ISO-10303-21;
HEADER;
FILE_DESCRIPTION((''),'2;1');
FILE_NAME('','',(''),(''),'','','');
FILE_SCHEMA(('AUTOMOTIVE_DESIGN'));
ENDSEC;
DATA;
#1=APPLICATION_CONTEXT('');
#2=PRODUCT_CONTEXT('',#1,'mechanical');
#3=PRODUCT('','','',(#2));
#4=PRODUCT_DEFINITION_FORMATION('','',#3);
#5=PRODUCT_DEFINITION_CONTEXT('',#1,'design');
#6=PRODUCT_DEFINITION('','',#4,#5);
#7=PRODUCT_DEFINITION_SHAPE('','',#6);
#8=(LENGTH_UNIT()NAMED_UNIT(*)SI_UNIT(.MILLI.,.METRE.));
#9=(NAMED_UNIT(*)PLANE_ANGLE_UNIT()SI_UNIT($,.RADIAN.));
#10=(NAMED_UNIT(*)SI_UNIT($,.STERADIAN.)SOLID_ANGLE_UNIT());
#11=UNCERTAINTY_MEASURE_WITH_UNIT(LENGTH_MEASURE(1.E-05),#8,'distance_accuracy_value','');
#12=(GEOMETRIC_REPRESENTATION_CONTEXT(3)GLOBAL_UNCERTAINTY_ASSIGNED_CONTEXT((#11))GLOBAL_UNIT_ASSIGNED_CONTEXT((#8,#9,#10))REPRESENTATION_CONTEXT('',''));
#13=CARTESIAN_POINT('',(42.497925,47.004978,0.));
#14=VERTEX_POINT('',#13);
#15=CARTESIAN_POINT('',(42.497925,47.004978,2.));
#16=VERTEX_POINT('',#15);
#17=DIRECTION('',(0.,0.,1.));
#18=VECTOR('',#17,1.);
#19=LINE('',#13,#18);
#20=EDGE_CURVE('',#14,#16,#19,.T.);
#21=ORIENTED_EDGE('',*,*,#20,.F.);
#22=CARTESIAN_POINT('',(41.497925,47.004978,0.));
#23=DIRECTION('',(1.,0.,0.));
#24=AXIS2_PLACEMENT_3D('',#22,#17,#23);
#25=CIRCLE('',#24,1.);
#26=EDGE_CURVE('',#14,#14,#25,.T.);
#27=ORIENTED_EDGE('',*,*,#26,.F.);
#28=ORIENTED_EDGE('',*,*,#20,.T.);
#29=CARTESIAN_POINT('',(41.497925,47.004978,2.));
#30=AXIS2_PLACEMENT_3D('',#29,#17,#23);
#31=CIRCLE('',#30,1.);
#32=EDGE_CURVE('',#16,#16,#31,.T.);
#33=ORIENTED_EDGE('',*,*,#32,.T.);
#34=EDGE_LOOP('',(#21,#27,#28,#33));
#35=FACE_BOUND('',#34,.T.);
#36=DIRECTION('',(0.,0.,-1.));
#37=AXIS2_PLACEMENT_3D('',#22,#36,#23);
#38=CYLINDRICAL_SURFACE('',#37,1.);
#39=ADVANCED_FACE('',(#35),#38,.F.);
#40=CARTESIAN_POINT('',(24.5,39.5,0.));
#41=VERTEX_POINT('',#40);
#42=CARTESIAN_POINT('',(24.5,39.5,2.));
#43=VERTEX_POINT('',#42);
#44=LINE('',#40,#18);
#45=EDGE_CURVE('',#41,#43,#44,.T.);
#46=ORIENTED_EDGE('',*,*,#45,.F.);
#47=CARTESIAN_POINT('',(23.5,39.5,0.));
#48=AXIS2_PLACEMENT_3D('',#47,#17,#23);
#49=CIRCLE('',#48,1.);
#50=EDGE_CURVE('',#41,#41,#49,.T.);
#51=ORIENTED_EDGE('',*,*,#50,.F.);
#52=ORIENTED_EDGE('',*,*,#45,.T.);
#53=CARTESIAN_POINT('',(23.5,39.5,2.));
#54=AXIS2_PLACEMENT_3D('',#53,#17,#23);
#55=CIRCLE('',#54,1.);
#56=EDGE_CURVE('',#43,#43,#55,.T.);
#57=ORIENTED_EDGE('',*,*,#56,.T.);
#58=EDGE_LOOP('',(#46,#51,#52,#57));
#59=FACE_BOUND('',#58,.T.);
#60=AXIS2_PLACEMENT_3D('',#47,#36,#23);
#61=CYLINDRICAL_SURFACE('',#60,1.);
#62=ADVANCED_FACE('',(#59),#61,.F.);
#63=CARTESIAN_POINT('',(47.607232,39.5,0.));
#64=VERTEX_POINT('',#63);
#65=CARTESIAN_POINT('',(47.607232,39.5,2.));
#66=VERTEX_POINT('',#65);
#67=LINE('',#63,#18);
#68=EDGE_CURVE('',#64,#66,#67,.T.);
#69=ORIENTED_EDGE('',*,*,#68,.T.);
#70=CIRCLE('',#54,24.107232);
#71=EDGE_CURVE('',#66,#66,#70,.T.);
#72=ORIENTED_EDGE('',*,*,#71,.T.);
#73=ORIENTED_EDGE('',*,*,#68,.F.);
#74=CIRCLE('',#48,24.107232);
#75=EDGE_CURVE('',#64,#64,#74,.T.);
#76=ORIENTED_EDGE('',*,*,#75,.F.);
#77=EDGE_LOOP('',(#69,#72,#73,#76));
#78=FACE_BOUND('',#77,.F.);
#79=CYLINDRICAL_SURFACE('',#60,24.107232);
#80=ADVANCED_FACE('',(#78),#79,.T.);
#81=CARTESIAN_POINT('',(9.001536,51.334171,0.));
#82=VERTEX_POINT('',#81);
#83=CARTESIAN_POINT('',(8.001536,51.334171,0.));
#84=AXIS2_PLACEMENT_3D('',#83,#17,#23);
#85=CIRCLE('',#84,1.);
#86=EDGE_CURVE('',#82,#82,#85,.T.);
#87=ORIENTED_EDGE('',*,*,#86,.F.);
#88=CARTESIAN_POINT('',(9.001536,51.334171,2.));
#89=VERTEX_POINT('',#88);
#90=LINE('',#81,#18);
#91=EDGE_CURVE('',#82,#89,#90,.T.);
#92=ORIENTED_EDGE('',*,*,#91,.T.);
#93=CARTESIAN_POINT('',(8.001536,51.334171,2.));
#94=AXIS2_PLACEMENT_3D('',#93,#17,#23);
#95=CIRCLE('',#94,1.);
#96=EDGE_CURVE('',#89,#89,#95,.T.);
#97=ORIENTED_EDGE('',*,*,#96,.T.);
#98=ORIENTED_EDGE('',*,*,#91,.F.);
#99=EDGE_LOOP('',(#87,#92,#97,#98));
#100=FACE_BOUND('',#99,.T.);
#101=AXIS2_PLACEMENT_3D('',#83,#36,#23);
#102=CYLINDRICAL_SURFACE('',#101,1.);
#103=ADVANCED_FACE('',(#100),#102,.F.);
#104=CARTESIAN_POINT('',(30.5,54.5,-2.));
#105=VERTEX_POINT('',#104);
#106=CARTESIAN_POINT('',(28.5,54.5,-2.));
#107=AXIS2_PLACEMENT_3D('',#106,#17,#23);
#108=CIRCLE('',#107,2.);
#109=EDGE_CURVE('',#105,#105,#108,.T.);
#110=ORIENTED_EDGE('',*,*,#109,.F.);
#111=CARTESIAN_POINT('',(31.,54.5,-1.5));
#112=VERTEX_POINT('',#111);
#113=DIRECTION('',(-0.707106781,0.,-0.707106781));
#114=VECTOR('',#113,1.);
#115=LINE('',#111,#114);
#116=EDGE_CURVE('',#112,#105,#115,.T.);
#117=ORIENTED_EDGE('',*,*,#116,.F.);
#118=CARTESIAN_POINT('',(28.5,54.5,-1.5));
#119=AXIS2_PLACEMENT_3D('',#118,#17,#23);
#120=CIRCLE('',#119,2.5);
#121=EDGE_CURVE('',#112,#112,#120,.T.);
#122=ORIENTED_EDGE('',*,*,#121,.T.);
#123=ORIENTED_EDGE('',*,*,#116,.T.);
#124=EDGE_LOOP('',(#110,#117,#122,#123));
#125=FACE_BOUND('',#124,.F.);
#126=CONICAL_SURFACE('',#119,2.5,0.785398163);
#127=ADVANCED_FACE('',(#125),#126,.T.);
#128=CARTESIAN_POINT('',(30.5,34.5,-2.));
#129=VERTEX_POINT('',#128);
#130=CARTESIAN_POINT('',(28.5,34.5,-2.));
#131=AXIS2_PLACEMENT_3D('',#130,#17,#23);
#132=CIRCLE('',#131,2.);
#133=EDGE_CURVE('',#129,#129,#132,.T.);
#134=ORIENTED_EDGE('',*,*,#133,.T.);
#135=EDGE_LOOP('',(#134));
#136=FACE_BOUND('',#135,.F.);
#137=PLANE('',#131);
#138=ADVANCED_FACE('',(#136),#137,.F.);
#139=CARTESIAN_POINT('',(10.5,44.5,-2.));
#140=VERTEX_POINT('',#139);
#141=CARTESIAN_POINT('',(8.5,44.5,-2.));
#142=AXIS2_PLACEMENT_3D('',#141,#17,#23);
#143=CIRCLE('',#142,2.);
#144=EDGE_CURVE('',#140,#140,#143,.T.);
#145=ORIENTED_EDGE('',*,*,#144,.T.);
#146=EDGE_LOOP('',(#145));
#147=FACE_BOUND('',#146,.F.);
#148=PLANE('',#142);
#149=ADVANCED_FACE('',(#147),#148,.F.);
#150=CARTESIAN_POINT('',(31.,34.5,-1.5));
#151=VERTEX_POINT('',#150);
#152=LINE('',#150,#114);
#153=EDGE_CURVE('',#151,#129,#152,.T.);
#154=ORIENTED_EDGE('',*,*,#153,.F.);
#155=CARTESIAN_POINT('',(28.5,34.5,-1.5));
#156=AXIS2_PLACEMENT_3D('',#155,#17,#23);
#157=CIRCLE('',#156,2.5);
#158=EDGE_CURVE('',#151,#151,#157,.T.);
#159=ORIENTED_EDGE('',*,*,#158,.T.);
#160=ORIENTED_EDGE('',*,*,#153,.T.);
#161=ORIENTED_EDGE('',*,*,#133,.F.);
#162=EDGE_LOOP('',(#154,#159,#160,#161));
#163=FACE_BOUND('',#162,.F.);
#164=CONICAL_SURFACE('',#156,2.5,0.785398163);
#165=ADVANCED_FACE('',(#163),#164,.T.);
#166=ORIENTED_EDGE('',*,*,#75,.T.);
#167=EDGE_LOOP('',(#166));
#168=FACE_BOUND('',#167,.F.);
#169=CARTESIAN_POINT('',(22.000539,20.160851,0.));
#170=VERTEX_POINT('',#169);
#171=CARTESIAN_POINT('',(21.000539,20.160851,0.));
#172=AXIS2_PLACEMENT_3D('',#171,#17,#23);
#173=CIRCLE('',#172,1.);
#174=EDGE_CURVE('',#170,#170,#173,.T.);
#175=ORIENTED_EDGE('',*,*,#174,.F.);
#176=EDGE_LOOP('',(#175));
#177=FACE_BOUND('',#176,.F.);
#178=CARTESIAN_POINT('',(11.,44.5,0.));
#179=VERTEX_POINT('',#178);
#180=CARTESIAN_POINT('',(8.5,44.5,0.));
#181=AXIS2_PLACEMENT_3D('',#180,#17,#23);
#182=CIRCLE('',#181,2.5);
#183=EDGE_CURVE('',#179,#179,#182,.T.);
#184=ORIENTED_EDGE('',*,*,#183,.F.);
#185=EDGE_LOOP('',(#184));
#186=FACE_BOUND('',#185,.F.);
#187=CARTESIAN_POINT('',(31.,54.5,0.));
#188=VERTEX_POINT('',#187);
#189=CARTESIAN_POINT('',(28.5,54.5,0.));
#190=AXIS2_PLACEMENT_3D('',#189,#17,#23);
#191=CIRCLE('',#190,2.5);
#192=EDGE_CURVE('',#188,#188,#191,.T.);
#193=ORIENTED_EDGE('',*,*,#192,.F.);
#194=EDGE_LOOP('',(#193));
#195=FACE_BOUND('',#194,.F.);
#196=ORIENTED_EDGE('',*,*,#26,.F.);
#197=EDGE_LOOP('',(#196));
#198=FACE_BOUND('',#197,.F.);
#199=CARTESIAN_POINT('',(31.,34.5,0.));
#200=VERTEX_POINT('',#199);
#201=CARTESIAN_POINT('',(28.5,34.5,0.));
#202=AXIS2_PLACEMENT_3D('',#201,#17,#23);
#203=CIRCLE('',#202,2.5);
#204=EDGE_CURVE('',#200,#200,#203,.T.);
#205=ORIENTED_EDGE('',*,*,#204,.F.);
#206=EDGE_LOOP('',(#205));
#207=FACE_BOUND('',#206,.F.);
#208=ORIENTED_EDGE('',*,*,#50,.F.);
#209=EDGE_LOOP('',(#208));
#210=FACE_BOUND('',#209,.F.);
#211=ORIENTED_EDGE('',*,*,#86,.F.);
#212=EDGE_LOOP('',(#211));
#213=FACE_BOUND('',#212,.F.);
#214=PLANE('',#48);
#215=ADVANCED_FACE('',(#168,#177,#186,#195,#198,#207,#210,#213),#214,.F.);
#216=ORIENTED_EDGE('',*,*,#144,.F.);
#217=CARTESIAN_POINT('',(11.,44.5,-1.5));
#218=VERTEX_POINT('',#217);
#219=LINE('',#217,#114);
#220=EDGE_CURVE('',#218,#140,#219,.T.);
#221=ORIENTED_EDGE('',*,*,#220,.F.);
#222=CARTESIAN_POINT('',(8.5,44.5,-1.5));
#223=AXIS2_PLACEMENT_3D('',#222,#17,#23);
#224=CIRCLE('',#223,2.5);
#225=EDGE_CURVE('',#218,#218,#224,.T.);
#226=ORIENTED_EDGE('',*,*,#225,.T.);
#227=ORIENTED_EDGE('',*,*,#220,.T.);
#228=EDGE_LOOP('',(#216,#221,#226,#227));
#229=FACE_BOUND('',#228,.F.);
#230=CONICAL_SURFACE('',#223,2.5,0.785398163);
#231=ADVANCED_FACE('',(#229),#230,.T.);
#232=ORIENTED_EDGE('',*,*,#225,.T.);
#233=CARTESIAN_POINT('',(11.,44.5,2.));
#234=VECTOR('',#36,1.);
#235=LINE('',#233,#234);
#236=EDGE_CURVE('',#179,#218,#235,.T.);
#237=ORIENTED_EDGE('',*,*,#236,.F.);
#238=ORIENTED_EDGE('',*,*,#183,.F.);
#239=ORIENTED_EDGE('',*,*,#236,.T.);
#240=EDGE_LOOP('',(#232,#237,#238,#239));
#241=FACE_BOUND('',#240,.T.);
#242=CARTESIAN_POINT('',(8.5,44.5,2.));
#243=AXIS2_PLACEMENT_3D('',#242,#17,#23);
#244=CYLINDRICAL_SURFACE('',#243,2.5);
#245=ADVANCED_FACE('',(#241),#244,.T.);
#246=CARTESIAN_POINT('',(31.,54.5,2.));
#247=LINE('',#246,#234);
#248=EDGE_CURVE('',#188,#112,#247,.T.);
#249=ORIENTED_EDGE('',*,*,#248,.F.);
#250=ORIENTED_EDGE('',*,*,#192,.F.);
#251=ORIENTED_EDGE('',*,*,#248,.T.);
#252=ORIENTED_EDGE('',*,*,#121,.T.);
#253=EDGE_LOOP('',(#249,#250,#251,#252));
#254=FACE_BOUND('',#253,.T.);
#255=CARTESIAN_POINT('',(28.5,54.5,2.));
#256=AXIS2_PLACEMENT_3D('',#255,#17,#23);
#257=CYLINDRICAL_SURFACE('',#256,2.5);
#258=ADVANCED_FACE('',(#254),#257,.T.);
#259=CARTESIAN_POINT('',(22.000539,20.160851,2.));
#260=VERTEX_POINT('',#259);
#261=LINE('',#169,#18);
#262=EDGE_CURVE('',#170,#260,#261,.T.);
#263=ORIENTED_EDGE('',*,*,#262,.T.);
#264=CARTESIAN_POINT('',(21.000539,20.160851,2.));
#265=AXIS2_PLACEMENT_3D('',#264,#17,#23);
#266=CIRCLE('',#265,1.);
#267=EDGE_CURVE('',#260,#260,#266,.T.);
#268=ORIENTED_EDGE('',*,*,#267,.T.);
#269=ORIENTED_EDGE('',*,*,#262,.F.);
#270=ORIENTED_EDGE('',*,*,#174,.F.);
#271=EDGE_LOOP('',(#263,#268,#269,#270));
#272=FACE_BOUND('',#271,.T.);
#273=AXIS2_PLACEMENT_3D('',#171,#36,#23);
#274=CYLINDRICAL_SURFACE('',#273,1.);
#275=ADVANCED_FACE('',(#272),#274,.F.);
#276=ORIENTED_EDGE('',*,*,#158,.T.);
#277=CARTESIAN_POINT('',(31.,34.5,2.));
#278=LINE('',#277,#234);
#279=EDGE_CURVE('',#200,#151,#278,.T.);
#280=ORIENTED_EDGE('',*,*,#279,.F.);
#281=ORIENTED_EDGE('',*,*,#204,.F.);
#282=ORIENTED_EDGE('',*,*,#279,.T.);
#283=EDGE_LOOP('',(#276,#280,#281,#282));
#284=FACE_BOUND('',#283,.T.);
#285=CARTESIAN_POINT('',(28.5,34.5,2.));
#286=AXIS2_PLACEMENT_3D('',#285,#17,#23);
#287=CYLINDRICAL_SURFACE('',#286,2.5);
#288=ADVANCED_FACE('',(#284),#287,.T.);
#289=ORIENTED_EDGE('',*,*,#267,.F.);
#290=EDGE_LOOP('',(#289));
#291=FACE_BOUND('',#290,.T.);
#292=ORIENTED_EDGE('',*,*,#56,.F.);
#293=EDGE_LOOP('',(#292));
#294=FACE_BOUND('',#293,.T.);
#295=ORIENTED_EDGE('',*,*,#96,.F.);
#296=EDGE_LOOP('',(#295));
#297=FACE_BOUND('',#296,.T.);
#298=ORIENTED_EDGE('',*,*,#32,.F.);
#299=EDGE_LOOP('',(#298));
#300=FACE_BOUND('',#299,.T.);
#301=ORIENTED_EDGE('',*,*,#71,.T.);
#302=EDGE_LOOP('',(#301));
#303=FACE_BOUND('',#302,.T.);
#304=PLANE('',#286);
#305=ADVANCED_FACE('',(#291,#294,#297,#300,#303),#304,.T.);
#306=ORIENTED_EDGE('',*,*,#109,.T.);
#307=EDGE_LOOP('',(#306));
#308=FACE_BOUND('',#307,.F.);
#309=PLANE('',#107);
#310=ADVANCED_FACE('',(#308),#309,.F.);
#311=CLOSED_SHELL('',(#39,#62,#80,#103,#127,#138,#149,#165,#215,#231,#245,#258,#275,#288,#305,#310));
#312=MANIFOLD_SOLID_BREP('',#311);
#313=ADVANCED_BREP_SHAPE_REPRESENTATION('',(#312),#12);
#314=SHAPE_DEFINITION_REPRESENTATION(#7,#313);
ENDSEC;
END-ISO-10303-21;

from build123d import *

# Parameters (mm, degrees)
SKETCH_R     = 24.107232
SKETCH_R_2   = 1
PAD_DEPTH    = 2
SKETCH001_R  = 2.5
PAD001_DEPTH = 4
CHAMFER_SIZE = 0.5


with BuildPart() as part:
    # Sketch → Pad (new body)
    with BuildSketch(Plane.XY):
        with Locations((23.5, 39.5)):
            Circle(SKETCH_R)
        with Locations((41.497925, 47.004978)):
            Circle(SKETCH_R_2, mode=Mode.SUBTRACT)
        with Locations((8.001536, 51.334171)):
            Circle(SKETCH_R_2, mode=Mode.SUBTRACT)
        with Locations((21.000539, 20.160851)):
            Circle(SKETCH_R_2, mode=Mode.SUBTRACT)
        with Locations((23.5, 39.5)):
            Circle(SKETCH_R_2, mode=Mode.SUBTRACT)
    extrude(amount=PAD_DEPTH)

    # Sketch001 (on Face7 of Pad) → Pad001 (join)
    with BuildSketch(Plane.XY.offset(2)):
        with Locations((28.5, 34.5)):
            Circle(SKETCH001_R)
        with Locations((28.5, 54.5)):
            Circle(SKETCH001_R)
        with Locations((8.5, 44.5)):
            Circle(SKETCH001_R)
    extrude(amount=-PAD001_DEPTH)

    # Chamfer
    chamfer_edges = [part.edges().sort_by_distance(p)[0] for p in [
        (26, 34.5, -2),
        (26, 54.5, -2),
        (6, 44.5, -2),
    ]]
    chamfer(chamfer_edges, length=CHAMFER_SIZE)


solid = part.part
